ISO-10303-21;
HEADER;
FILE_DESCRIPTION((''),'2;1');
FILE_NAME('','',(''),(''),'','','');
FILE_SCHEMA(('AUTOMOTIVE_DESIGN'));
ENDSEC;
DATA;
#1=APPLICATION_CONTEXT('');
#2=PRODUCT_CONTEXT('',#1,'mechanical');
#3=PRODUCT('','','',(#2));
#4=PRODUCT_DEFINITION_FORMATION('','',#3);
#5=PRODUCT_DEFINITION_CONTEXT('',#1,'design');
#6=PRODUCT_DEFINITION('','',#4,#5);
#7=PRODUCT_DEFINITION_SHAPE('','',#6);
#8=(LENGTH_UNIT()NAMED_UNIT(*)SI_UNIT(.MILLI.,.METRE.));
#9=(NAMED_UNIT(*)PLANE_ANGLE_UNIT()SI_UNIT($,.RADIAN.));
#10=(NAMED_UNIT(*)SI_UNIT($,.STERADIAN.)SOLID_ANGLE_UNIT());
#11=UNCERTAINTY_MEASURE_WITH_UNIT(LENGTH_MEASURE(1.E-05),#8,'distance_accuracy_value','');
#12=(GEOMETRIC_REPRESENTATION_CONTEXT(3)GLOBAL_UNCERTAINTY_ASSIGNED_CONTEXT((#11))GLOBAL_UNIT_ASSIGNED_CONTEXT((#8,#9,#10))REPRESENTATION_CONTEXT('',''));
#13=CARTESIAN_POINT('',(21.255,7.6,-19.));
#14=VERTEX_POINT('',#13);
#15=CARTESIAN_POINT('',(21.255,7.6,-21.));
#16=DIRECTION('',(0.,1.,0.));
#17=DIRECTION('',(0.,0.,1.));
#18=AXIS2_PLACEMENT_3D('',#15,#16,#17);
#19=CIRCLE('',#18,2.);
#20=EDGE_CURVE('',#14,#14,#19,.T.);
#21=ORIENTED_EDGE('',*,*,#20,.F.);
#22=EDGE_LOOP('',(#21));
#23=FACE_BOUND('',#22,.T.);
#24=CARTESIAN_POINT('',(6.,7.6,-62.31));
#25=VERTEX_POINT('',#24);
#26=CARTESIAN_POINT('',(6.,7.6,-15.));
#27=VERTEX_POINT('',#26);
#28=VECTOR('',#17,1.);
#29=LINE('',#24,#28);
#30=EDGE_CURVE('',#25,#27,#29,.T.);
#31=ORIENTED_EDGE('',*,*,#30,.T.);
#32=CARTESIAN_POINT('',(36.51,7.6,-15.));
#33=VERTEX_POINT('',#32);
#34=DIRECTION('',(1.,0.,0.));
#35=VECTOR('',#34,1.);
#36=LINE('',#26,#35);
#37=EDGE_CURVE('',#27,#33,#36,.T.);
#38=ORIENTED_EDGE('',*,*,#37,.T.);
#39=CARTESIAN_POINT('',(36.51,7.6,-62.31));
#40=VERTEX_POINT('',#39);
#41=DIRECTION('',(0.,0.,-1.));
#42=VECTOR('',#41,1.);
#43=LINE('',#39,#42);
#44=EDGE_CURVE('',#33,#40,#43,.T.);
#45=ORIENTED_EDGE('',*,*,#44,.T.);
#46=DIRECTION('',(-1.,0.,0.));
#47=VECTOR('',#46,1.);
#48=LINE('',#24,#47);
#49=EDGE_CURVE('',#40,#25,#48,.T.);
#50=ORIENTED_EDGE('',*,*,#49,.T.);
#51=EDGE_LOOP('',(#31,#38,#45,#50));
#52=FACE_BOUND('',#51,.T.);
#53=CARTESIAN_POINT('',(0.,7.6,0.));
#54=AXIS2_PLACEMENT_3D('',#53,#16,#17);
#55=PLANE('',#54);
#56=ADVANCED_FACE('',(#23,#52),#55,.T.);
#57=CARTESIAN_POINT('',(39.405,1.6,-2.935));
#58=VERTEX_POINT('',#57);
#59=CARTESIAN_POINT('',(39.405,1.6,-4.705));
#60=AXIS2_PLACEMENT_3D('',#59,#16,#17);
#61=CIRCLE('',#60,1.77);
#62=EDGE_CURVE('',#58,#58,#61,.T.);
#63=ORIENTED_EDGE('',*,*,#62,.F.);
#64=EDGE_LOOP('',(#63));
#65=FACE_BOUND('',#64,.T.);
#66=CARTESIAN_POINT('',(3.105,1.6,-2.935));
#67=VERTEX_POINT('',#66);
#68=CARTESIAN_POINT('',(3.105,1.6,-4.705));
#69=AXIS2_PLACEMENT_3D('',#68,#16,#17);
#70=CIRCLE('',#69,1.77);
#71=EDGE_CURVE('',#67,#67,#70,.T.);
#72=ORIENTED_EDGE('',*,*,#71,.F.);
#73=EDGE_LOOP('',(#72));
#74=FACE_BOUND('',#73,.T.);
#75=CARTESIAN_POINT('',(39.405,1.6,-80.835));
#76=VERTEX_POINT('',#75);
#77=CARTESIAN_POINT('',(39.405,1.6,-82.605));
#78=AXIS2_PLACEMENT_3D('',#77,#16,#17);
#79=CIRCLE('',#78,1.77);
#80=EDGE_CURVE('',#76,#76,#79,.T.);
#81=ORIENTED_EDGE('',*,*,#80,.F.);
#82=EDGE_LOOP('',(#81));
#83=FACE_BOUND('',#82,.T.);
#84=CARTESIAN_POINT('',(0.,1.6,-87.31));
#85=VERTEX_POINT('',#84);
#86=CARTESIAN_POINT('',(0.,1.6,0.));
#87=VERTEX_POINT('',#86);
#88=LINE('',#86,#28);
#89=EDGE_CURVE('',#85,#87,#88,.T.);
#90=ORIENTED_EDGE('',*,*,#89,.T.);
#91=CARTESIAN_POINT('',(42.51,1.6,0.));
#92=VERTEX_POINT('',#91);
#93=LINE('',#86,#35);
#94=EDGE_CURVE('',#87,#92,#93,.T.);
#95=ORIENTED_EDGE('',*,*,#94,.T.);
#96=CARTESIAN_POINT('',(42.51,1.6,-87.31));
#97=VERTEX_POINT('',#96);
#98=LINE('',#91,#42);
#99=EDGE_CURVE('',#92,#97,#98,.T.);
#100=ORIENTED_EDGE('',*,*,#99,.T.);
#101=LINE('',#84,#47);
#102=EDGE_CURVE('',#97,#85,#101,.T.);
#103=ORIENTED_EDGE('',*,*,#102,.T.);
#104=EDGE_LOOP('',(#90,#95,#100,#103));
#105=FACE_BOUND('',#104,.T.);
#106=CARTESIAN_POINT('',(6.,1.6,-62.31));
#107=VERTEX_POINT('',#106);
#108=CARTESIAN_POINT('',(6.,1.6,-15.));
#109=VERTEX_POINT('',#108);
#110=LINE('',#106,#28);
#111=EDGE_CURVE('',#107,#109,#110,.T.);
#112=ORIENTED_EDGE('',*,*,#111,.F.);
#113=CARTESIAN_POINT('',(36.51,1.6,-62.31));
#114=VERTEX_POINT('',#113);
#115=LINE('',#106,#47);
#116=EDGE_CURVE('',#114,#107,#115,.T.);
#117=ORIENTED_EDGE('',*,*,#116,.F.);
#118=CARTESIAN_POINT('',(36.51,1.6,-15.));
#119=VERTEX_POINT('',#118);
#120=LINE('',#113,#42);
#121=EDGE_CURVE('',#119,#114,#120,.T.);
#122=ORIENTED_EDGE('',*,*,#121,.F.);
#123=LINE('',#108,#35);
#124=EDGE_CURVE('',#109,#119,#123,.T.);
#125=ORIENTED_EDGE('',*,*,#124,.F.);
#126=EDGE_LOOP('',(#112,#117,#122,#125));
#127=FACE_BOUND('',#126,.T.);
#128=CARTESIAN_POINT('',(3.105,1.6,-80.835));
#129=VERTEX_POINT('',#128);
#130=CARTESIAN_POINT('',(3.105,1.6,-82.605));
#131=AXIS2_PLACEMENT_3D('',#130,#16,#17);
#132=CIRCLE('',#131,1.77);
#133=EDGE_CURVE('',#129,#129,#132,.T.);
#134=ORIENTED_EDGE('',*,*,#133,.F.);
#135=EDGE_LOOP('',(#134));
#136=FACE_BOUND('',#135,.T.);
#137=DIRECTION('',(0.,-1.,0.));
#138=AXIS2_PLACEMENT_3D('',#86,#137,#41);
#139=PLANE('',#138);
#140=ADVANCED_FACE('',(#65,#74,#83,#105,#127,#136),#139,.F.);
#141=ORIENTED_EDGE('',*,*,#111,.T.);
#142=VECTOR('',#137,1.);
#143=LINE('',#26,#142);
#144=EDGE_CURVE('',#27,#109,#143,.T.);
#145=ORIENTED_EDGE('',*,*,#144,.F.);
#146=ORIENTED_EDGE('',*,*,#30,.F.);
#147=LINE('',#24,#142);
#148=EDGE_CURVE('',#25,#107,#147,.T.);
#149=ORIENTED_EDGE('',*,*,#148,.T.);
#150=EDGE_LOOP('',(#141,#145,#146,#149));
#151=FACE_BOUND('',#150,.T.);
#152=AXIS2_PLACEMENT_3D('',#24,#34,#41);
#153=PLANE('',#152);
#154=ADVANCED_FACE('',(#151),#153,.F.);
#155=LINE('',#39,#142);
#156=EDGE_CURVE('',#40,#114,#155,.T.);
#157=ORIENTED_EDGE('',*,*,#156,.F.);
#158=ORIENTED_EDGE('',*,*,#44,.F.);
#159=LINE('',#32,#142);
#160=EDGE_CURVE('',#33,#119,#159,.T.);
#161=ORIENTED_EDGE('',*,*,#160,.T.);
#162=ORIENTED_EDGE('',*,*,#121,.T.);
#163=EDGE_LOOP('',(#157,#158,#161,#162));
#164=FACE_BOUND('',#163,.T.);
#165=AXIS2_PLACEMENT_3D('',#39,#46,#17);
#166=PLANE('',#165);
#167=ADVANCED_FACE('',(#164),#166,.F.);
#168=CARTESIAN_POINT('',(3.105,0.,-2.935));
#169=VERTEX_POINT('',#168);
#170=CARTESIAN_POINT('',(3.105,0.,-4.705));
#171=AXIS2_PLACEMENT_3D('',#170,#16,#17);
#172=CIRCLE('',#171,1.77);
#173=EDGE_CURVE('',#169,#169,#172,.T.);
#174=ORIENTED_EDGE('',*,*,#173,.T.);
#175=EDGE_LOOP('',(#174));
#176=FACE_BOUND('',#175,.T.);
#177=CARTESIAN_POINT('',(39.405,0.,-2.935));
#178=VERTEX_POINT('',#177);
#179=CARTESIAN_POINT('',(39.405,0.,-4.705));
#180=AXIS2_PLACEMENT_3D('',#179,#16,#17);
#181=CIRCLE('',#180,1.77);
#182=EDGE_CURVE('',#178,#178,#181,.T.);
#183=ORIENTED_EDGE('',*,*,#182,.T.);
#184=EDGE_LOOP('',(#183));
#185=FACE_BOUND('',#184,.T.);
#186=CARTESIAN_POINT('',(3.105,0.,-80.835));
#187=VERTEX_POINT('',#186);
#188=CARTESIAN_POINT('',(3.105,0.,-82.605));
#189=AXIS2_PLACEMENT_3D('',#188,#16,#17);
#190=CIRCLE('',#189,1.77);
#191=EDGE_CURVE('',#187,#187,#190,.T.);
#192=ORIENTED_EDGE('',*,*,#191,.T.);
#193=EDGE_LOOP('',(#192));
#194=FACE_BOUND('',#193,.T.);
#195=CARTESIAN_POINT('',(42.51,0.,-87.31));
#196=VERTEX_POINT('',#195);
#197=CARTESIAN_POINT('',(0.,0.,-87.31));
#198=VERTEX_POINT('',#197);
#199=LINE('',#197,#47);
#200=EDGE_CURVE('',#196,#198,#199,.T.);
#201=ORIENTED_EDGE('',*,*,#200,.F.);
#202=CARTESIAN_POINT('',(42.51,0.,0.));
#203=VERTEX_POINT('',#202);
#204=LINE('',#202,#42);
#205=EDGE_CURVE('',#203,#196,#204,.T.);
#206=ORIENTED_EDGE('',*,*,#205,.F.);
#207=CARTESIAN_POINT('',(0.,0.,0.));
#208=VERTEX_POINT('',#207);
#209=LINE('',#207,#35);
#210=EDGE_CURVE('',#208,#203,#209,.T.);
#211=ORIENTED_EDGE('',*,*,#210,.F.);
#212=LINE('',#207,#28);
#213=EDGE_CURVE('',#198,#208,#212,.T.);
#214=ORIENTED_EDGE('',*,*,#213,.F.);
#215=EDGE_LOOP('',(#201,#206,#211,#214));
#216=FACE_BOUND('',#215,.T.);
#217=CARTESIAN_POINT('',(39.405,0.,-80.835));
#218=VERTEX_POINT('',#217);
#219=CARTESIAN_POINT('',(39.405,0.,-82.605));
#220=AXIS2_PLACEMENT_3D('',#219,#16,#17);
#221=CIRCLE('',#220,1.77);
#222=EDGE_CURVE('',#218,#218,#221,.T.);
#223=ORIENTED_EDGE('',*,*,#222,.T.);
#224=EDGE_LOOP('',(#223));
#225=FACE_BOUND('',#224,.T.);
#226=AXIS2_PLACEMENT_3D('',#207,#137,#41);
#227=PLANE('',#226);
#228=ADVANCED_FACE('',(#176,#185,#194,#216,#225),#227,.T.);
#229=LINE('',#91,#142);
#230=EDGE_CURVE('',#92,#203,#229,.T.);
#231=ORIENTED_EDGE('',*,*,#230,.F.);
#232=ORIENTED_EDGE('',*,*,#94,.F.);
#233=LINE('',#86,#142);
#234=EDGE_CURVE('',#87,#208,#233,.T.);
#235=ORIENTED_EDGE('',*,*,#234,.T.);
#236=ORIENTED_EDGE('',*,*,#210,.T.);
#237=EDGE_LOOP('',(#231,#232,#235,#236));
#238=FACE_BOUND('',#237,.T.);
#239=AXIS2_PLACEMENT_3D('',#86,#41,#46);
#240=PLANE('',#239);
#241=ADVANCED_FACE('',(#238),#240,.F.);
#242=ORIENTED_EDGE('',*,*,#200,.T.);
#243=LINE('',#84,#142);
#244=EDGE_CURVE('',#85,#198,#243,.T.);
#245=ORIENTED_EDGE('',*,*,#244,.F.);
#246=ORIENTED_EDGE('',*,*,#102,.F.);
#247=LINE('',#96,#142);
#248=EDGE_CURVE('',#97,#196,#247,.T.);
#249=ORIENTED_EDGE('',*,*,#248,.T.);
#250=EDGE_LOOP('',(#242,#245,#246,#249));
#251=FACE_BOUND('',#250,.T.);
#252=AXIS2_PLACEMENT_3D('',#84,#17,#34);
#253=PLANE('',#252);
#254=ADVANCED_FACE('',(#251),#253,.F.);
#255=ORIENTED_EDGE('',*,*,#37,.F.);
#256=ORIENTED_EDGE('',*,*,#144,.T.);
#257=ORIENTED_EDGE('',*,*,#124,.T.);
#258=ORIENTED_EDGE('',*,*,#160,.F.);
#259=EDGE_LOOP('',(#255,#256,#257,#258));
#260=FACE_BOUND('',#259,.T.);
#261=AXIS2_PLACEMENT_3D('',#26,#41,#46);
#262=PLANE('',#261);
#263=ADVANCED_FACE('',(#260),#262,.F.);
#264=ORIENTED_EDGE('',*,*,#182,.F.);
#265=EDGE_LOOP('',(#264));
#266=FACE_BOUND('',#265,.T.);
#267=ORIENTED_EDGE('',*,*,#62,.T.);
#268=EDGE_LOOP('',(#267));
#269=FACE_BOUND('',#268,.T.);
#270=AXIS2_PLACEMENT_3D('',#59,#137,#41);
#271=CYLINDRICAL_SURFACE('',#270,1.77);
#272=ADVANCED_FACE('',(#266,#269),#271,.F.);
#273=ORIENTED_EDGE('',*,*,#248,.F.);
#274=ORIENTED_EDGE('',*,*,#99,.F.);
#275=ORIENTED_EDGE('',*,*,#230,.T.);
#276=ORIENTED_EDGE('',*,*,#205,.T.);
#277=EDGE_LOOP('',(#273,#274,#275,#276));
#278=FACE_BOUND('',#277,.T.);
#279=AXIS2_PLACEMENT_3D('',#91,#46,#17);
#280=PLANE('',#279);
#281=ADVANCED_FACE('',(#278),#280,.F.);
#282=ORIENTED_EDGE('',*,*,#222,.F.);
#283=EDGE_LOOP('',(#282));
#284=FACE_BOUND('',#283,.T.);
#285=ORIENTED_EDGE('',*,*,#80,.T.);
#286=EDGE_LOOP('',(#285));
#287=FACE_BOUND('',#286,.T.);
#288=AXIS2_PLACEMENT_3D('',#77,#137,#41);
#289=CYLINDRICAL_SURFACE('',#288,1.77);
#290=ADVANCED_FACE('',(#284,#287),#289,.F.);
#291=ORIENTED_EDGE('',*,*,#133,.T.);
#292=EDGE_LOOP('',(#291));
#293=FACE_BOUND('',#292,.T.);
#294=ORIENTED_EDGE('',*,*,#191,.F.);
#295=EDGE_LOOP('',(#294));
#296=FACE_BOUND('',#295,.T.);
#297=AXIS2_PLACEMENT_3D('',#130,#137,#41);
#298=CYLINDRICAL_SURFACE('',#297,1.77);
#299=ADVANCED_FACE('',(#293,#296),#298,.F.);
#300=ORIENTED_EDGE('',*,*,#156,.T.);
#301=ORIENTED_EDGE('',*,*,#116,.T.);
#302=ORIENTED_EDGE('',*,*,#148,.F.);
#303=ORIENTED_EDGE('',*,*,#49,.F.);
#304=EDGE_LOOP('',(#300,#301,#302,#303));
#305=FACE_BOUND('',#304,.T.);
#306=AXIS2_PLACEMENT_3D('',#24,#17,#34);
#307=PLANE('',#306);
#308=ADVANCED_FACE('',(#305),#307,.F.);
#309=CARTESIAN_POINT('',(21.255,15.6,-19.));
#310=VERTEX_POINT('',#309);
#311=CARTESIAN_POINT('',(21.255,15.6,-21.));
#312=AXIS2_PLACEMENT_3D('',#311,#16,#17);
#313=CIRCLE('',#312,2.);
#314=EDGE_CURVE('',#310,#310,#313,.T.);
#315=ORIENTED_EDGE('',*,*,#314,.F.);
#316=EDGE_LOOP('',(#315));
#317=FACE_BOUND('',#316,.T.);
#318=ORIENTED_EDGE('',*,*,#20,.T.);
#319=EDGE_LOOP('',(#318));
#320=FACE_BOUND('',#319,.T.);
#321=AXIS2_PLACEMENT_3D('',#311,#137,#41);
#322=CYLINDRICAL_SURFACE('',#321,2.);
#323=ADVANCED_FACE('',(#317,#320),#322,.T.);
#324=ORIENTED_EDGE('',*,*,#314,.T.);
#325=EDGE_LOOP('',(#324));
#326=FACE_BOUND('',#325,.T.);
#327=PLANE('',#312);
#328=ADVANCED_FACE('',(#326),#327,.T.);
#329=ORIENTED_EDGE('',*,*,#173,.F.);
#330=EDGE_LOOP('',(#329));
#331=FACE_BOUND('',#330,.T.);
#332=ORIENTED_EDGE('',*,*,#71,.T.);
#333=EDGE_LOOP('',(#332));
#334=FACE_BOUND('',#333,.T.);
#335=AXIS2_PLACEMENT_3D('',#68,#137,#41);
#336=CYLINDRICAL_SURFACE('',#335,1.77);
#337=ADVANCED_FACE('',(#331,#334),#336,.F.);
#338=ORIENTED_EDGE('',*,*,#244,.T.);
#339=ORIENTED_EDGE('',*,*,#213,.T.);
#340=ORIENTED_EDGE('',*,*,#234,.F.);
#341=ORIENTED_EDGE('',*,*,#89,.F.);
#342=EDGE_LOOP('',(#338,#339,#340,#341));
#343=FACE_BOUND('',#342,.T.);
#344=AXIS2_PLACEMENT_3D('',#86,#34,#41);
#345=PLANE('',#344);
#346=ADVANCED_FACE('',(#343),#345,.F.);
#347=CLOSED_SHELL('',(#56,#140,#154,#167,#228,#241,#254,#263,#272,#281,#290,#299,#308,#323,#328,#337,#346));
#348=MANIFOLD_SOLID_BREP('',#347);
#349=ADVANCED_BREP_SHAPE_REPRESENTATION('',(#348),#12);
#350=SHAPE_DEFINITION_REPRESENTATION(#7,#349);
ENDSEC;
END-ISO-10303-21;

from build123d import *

# Parameters (mm, degrees)
SKETCH1_W           = 42.51
SKETCH1_H           = 87.31
SKETCH1_R           = 1.77
BOSS_EXTRUDE1_DEPTH = 1.6
SKETCH2_W           = 30.51
SKETCH2_H           = 47.31
BOSS_EXTRUDE2_DEPTH = 6
SKETCH4_R           = 2
BOSS_EXTRUDE3_DEPTH = 8


with BuildPart() as part:
    # Sketch1 → Boss-Extrude1 (new body)
    with BuildSketch(Plane(origin=(0, 0, 0), x_dir=(1, 0, 0), z_dir=(0, 1, 0))):
        with Locations((21.255, 43.655)):
            Rectangle(SKETCH1_W, SKETCH1_H)
        with Locations((3.105, 82.605)):
            Circle(SKETCH1_R, mode=Mode.SUBTRACT)
        with Locations((39.405, 82.605)):
            Circle(SKETCH1_R, mode=Mode.SUBTRACT)
        with Locations((3.105, 4.705)):
            Circle(SKETCH1_R, mode=Mode.SUBTRACT)
        with Locations((39.405, 4.705)):
            Circle(SKETCH1_R, mode=Mode.SUBTRACT)
    extrude(amount=BOSS_EXTRUDE1_DEPTH)

    # Sketch2 → Boss-Extrude2 (add)
    with BuildSketch(Plane(origin=(0, 1.6, 0), x_dir=(1, 0, 0), z_dir=(0, 1, 0))):
        with Locations((21.255, 38.655)):
            Rectangle(SKETCH2_W, SKETCH2_H)
    extrude(amount=BOSS_EXTRUDE2_DEPTH)

    # Sketch4 → Boss-Extrude3 (add)
    with BuildSketch(Plane(origin=(0, 7.6, 0), x_dir=(1, 0, 0), z_dir=(0, 1, 0))):
        with Locations((21.255, 21)):
            Circle(SKETCH4_R)
    extrude(amount=BOSS_EXTRUDE3_DEPTH)


solid = part.part
